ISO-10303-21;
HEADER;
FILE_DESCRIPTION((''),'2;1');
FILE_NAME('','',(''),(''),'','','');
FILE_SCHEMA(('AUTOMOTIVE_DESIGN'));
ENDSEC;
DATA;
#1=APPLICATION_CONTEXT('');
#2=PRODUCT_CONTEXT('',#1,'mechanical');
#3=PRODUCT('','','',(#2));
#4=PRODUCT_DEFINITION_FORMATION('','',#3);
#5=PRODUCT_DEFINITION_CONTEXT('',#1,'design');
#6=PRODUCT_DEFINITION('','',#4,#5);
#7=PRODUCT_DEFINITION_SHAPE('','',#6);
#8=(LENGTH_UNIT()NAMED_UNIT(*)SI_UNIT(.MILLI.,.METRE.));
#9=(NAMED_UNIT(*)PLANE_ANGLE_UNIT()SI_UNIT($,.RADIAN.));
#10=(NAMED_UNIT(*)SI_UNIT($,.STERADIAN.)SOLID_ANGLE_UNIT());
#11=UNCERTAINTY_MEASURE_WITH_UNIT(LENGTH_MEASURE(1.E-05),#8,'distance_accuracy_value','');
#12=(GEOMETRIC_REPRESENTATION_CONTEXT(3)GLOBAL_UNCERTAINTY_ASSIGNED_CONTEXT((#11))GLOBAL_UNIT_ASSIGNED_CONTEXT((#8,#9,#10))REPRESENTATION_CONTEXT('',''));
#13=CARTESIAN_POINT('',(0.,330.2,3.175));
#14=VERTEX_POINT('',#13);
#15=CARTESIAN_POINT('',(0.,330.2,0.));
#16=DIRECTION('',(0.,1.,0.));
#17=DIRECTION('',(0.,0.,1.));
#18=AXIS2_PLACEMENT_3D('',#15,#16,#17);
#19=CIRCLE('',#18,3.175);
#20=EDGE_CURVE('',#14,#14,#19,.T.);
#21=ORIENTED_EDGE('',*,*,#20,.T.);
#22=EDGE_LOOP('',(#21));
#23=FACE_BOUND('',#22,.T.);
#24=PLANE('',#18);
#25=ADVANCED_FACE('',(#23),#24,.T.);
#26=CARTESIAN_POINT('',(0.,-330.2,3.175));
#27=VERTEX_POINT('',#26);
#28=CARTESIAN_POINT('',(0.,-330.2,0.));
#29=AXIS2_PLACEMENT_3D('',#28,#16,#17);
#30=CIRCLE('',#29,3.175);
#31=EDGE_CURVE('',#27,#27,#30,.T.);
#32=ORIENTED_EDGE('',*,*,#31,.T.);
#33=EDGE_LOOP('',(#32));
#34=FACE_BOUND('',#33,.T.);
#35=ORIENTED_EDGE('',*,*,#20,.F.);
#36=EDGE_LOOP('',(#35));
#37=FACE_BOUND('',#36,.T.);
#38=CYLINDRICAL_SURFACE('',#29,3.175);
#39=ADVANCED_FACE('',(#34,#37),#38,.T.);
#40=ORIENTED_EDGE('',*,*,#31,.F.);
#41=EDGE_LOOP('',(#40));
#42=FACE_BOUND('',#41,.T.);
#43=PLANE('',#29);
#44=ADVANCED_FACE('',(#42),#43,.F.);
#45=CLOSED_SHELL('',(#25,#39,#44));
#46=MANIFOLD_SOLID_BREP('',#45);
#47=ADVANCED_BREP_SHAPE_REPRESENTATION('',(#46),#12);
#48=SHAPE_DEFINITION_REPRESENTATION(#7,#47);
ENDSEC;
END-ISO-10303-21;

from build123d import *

# Parameters (mm, degrees)
BOSS_EXTRUDE1_DEPTH      = 330.2
BOSS_EXTRUDE1_DEPTH_BACK = 330.2
SKETCH1_R                = 3.175


with BuildPart() as part:
    # Sketch1 → Boss-Extrude1 (new, two sides: drawn at the far end of the back side and taken through both)
    with BuildSketch(Plane(origin=(0, 0, 0), x_dir=(1, 0, 0), z_dir=(0, 1, 0)).offset(-BOSS_EXTRUDE1_DEPTH_BACK)):
        Circle(SKETCH1_R)
    extrude(amount=BOSS_EXTRUDE1_DEPTH + BOSS_EXTRUDE1_DEPTH_BACK)


solid = part.part
